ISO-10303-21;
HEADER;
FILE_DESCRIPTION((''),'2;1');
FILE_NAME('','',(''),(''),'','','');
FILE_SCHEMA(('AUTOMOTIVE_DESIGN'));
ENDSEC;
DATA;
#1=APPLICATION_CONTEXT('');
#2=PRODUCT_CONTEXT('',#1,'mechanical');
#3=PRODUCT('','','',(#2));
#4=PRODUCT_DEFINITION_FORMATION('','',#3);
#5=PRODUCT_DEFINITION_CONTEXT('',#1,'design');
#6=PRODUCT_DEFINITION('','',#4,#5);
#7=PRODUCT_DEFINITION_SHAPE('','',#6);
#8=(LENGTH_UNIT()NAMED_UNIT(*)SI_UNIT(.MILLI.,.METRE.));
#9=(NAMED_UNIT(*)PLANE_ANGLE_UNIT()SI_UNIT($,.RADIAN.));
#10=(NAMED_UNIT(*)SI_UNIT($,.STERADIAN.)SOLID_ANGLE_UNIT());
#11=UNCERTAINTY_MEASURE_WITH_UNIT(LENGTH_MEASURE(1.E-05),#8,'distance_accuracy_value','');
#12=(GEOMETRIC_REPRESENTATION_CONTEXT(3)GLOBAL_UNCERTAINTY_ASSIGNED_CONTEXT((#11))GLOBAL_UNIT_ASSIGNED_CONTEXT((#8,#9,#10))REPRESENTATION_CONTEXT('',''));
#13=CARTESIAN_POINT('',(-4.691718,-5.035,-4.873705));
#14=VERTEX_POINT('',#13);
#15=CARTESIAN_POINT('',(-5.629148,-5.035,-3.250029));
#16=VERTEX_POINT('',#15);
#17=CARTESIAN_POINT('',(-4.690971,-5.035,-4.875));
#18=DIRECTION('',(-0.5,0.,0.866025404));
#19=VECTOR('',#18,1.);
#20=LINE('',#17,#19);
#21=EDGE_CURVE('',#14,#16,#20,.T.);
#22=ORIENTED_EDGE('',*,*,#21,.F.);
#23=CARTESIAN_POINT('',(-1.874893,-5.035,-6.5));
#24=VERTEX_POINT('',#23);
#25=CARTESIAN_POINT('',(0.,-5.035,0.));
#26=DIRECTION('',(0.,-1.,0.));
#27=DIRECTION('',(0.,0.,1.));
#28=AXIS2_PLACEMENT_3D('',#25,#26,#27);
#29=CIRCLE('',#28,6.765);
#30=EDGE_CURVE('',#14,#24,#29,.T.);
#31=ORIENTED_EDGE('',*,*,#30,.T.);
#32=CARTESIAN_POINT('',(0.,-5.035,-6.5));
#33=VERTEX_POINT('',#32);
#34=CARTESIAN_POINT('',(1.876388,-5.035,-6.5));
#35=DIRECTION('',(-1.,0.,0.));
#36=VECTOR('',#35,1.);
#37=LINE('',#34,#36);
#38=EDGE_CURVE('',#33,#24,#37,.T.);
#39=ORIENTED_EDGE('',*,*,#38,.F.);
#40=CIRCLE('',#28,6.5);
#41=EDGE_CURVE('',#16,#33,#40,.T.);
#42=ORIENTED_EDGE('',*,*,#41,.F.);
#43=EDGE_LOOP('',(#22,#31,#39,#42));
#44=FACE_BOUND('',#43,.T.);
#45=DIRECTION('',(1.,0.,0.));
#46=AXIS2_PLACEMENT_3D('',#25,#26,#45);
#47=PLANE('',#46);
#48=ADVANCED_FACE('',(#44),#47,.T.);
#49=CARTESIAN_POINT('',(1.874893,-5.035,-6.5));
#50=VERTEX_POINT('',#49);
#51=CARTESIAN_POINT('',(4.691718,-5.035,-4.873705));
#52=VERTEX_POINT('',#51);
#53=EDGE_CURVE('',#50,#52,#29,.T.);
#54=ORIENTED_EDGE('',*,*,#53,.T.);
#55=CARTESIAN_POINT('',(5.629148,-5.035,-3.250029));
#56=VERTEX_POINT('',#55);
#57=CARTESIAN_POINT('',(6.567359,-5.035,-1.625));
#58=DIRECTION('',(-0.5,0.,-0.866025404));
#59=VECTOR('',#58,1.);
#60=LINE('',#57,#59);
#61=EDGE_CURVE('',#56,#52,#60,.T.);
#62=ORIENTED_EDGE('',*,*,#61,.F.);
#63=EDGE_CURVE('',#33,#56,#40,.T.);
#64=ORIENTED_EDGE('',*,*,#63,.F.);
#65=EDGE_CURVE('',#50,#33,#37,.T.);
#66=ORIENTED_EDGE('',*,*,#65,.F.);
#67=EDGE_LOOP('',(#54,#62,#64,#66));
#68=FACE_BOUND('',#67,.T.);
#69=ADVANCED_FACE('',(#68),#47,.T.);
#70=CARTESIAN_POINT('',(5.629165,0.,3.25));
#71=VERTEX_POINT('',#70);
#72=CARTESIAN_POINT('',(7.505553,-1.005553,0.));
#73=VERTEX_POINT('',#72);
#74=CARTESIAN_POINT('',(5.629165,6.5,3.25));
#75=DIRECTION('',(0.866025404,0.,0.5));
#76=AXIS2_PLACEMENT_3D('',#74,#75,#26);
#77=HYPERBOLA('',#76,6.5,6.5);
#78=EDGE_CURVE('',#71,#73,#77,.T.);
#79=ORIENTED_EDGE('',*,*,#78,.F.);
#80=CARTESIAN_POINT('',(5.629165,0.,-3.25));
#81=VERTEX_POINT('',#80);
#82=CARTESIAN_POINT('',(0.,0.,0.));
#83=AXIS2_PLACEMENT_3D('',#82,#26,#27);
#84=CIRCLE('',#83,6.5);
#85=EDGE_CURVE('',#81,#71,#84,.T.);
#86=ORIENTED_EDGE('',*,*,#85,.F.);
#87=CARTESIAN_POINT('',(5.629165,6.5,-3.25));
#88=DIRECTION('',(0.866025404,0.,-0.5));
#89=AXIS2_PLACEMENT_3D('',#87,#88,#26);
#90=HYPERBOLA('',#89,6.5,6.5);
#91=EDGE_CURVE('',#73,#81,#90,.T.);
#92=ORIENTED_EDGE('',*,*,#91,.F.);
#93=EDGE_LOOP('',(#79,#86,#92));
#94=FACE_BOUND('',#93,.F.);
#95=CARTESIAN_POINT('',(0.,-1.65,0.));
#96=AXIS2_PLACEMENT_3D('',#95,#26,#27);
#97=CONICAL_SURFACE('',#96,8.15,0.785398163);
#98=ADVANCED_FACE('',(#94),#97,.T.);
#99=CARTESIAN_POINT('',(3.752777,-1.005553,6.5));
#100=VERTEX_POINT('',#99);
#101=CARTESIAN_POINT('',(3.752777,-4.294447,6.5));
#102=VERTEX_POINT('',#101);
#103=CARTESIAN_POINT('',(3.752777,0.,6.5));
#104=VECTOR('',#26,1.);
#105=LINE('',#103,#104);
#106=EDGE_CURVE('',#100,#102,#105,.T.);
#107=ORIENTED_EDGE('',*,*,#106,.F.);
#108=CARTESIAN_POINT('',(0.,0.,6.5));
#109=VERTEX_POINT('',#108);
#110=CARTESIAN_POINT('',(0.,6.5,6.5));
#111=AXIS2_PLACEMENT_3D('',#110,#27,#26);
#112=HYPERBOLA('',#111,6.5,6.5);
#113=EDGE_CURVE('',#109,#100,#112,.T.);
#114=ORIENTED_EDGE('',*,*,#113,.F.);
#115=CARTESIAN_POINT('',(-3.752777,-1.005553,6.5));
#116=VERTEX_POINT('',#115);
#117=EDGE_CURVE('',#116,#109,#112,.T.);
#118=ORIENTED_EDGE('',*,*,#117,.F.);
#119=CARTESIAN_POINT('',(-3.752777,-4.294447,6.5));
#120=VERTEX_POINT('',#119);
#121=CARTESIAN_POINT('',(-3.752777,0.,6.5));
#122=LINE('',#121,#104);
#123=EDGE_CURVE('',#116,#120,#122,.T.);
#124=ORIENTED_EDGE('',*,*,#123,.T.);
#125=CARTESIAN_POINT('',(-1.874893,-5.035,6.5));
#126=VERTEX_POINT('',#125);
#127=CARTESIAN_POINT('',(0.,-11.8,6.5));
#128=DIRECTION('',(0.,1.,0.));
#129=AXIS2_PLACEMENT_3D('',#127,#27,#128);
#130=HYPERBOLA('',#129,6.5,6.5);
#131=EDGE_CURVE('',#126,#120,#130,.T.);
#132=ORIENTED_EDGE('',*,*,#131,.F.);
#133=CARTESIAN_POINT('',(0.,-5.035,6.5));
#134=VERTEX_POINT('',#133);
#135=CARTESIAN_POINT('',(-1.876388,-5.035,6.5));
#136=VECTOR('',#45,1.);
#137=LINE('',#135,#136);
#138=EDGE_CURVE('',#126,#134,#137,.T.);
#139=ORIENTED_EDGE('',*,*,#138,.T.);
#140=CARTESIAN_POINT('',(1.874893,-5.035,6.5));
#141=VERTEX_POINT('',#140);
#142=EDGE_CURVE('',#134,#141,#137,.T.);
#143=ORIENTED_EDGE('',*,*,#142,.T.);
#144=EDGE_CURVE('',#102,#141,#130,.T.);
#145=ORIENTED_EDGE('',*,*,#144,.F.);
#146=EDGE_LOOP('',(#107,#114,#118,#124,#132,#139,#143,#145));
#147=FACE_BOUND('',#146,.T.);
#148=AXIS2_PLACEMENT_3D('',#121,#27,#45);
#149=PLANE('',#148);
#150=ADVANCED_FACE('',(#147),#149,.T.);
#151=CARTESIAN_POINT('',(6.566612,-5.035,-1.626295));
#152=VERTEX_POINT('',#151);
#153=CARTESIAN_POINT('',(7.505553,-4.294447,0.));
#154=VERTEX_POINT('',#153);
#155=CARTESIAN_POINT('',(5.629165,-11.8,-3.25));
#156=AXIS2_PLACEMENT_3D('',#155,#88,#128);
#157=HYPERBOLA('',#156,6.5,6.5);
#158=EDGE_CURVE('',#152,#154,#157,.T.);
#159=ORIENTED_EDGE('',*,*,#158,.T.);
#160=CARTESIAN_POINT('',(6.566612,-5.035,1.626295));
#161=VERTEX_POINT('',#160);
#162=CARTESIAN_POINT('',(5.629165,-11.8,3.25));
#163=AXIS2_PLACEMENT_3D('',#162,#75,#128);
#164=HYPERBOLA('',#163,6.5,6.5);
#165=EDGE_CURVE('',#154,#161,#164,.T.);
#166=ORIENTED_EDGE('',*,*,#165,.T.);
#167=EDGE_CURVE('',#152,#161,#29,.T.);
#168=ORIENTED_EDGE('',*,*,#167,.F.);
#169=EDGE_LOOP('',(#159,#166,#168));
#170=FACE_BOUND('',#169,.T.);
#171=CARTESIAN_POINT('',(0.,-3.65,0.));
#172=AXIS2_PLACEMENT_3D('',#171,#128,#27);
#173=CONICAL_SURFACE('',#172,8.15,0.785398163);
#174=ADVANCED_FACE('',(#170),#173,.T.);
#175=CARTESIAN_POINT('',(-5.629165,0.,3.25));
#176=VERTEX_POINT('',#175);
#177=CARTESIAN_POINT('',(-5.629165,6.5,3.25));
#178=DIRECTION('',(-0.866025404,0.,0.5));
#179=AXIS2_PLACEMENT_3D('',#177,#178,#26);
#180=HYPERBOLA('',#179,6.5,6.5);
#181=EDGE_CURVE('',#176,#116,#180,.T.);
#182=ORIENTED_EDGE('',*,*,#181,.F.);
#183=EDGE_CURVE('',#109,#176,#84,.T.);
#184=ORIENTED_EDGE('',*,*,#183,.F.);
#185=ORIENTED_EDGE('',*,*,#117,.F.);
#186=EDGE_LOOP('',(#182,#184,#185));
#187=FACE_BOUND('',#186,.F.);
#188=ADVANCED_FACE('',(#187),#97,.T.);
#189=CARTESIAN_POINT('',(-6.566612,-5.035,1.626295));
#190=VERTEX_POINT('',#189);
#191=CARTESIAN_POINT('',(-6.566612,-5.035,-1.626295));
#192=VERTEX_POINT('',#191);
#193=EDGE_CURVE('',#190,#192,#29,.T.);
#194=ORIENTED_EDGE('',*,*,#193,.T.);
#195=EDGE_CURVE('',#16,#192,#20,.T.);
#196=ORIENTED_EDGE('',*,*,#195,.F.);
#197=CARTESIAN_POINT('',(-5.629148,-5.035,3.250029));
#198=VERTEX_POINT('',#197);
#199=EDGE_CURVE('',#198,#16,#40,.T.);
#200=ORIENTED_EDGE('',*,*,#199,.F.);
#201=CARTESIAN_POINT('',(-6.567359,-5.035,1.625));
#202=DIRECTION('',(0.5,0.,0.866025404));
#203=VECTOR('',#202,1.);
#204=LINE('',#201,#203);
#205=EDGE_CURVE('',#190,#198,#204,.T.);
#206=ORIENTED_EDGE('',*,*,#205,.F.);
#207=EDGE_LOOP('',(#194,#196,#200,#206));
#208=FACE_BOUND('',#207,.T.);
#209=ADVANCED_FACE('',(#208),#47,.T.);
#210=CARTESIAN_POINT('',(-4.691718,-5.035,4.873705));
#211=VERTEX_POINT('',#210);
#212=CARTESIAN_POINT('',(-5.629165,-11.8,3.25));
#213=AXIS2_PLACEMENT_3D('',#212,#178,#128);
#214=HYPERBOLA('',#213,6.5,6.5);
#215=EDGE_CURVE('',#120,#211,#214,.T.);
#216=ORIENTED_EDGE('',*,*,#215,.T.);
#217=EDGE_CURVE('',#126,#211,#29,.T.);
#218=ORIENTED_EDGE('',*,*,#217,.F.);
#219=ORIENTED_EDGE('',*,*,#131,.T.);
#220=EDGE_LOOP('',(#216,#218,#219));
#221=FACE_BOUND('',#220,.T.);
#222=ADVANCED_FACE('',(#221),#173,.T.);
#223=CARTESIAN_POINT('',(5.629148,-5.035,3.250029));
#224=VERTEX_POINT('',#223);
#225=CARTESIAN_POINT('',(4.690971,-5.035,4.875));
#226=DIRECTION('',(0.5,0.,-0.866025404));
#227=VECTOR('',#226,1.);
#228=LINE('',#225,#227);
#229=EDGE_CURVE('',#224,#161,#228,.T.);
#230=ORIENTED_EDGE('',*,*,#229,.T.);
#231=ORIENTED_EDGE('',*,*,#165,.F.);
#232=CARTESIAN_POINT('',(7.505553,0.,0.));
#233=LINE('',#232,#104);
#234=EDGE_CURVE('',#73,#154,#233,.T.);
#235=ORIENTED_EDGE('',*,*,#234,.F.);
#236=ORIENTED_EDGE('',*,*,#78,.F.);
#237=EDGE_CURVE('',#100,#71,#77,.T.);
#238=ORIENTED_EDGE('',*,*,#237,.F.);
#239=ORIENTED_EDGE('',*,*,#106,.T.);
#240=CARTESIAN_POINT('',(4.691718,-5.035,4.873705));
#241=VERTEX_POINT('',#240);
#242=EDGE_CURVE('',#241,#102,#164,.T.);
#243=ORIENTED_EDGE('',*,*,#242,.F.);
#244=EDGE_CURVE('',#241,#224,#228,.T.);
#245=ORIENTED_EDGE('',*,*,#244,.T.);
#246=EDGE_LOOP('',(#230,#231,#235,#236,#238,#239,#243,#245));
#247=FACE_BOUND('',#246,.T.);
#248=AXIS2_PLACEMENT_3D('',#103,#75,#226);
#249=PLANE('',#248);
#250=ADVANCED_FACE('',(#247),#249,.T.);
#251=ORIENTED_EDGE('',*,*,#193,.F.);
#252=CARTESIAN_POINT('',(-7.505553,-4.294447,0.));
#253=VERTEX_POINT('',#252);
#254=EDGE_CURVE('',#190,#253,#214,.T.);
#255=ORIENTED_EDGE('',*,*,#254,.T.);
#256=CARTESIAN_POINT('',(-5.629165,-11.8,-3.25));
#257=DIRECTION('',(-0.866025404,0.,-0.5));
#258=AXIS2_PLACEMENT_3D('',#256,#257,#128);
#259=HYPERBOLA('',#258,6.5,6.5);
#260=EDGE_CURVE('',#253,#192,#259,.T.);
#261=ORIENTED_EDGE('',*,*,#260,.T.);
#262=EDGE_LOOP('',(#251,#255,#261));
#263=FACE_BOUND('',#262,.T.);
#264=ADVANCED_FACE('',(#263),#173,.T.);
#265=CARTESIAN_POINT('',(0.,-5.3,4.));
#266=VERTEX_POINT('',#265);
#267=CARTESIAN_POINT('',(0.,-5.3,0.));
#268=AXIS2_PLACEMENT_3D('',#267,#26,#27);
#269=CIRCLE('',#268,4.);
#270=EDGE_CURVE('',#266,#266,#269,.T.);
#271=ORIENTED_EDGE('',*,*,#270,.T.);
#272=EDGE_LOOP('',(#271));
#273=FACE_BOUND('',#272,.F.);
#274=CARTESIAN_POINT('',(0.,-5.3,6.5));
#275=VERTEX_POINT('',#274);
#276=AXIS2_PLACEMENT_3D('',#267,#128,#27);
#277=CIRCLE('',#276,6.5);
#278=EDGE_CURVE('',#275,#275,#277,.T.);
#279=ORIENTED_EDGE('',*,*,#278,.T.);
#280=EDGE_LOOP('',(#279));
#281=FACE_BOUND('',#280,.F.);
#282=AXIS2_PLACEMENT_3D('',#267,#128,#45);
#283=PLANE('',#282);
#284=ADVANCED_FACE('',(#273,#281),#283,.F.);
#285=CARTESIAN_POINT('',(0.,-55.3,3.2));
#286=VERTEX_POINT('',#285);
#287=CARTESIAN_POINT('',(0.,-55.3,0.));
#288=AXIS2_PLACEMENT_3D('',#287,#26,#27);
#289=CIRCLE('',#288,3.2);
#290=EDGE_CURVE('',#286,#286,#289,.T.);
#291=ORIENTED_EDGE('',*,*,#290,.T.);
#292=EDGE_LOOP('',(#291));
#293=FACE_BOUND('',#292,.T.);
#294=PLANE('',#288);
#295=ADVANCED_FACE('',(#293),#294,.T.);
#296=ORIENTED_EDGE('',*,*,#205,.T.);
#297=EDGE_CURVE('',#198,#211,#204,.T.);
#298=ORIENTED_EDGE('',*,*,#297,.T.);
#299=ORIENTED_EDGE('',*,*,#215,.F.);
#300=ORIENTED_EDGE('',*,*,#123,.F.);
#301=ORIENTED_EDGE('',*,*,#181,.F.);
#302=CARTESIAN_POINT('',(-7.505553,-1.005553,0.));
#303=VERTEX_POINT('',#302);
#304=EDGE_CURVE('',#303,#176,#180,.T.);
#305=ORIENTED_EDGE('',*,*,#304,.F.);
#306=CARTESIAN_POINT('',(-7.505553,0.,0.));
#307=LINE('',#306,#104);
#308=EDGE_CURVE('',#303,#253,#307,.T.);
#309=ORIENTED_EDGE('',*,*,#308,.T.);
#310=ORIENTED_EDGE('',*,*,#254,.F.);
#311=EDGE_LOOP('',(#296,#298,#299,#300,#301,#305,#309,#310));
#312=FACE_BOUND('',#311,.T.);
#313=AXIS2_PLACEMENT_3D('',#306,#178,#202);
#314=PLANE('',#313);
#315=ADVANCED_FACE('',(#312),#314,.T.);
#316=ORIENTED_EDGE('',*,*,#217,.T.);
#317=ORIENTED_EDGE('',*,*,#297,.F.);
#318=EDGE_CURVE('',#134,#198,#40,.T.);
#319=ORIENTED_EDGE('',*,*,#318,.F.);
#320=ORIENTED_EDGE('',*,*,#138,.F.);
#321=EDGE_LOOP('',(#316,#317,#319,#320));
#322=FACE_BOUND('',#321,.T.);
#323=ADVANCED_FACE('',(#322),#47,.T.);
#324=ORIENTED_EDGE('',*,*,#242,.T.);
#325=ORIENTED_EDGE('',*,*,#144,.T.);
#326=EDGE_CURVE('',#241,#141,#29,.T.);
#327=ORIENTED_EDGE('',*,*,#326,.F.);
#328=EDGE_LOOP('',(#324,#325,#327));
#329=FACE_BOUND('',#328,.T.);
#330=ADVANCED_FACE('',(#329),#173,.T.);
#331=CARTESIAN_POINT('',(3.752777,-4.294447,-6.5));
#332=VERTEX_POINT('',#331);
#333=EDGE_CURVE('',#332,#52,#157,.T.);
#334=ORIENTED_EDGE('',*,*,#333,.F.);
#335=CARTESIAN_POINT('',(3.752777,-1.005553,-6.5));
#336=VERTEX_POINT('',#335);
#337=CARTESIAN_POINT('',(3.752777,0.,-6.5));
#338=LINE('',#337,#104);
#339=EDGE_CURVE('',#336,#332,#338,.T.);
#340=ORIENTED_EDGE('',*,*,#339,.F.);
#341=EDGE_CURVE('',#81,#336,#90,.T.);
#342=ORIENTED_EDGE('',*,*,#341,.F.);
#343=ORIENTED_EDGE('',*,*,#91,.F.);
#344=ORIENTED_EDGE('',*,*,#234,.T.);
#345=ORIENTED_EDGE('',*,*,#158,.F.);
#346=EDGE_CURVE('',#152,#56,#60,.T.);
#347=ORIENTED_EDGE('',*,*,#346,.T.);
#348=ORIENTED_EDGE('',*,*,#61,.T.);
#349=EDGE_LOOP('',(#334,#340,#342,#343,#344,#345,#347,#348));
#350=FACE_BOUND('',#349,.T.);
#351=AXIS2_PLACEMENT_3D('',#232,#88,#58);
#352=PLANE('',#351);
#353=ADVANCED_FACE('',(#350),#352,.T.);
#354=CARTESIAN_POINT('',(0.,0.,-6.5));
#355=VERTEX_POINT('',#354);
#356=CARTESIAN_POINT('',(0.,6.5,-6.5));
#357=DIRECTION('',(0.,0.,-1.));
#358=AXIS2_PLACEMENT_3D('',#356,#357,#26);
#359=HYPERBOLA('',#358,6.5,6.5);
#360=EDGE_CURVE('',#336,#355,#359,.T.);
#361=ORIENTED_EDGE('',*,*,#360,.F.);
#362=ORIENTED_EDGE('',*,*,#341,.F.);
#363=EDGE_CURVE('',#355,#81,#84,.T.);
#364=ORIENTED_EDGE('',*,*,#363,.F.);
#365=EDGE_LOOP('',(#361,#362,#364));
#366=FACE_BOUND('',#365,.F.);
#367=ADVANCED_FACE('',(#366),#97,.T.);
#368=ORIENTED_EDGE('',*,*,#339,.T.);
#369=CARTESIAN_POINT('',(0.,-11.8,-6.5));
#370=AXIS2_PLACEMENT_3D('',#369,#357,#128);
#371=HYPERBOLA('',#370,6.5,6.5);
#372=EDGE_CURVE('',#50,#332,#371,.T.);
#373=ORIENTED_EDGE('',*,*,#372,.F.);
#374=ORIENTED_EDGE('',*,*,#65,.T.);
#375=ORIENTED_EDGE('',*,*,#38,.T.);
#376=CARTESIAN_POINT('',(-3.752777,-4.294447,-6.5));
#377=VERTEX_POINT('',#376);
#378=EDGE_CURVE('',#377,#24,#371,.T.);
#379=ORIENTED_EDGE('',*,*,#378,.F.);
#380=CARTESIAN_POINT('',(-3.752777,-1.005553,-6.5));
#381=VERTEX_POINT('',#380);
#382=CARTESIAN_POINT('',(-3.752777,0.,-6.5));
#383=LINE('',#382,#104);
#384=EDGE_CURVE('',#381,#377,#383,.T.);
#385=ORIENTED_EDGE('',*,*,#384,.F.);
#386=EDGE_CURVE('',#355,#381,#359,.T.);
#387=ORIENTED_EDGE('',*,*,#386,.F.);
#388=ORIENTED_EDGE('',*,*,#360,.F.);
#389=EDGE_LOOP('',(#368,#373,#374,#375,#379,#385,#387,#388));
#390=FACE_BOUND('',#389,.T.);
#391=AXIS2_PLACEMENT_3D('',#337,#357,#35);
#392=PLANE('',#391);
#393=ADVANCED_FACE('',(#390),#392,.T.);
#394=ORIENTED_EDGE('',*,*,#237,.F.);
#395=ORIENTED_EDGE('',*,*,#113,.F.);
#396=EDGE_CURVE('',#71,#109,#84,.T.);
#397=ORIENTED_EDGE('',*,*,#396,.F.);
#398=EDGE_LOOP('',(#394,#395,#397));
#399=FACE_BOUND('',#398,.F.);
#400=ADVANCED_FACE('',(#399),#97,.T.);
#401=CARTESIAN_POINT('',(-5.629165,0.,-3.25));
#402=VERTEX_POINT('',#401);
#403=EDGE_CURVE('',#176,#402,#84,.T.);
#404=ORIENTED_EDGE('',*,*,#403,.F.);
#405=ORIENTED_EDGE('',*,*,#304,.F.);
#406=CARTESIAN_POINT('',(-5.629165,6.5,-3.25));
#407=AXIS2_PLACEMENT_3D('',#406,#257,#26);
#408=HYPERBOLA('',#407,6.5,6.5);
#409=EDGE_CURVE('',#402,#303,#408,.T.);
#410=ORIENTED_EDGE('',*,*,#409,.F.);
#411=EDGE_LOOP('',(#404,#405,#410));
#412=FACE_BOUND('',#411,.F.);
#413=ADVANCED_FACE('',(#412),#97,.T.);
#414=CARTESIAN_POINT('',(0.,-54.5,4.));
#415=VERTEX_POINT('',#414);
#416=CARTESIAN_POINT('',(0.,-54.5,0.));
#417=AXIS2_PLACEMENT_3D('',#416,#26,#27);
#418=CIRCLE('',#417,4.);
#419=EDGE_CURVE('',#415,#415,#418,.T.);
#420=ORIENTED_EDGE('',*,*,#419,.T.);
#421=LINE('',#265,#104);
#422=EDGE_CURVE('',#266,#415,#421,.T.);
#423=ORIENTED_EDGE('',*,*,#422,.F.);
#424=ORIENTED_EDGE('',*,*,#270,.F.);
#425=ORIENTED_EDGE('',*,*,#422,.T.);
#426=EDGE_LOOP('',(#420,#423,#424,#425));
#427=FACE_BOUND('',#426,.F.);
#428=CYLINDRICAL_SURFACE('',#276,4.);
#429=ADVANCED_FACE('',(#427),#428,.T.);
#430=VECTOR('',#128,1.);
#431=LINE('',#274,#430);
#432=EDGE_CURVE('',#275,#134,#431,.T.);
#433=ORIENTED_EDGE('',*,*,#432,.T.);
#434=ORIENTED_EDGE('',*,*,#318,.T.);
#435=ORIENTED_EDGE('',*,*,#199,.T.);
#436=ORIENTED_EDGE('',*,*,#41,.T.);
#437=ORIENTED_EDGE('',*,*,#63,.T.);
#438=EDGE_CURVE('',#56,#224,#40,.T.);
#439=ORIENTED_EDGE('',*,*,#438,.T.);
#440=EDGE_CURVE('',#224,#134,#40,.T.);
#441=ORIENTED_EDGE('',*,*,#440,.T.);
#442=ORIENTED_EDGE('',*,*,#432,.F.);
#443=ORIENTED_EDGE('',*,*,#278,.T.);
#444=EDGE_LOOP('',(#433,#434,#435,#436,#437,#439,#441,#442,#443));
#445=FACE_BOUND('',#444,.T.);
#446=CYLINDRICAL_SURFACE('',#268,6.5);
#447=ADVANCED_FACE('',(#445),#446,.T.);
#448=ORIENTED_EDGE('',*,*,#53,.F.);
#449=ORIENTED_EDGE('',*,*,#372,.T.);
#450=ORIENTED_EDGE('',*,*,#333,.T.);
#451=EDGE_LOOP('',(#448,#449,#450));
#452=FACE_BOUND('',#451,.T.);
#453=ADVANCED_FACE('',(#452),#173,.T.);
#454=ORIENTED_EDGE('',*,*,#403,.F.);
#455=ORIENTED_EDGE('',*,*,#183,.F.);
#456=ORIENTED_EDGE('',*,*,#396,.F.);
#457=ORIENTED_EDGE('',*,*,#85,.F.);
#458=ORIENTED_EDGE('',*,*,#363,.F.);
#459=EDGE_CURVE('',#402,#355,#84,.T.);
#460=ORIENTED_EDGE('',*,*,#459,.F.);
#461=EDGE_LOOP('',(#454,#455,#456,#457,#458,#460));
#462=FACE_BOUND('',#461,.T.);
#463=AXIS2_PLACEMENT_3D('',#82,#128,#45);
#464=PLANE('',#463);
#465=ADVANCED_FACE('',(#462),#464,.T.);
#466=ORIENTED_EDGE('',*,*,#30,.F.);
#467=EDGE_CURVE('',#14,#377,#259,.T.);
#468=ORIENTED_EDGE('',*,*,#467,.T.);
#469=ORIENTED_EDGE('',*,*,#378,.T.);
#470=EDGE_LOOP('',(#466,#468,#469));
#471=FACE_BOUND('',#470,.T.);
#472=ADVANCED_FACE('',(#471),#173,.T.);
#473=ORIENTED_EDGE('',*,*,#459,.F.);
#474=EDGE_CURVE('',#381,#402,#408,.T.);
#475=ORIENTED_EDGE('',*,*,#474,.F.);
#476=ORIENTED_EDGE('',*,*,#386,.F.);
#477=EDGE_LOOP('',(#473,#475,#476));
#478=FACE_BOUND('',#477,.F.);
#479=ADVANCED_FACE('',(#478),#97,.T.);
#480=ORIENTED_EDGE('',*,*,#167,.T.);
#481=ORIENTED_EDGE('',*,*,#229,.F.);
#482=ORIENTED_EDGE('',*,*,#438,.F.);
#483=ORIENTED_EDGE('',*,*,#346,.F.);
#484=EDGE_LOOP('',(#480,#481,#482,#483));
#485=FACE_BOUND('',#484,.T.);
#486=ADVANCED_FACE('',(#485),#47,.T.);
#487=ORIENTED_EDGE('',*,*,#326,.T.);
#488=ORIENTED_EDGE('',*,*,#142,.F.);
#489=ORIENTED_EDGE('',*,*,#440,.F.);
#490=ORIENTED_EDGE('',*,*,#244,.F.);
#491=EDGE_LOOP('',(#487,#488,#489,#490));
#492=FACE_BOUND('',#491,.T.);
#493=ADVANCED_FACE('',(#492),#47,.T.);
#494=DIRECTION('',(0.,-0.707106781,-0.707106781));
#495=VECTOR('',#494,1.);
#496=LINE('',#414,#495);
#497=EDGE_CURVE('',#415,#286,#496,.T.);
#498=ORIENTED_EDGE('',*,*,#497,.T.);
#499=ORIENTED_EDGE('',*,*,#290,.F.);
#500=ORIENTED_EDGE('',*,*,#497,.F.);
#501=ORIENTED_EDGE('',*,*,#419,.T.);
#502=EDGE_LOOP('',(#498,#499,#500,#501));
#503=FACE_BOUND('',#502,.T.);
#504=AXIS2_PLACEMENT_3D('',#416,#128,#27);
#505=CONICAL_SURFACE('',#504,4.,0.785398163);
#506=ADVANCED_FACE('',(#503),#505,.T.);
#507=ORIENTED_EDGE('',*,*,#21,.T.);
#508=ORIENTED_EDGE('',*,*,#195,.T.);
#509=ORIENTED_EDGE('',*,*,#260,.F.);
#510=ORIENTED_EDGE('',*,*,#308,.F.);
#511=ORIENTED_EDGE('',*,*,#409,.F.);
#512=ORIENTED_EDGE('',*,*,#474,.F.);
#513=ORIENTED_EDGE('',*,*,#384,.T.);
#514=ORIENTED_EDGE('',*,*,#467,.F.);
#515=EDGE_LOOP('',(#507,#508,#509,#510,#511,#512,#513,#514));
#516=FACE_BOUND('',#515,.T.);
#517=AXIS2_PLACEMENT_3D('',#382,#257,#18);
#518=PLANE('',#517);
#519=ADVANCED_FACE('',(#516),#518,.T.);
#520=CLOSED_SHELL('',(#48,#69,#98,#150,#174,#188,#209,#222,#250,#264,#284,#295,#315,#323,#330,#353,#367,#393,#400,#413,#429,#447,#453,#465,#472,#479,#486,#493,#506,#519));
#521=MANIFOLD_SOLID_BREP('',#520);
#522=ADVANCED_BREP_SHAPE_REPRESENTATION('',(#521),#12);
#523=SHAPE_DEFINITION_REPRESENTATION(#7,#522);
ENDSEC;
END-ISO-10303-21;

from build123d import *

# Parameters (mm, degrees)
BOSS_EXTRUDE1_DEPTH = 5.3
SKETCH2_OUTSIDE_W   = 21.122
SKETCH2_OUTSIDE_H   = 19.11
SKETCH2_OUTSIDE_R   = 6.5
CUT_EXTRUDE1_DEPTH  = 0.265
SKETCH3_R           = 4
BOSS_EXTRUDE2_DEPTH = 50
CHAMFER1_SIZE       = 0.8


with BuildPart() as part:
    # Sketch1 → Boss-Extrude1 (new body)
    with BuildSketch(Plane(origin=(0, 0, 0), x_dir=(1, 0, 0), z_dir=(0, 1, 0))):
        Polygon((7.505553499, 0), (3.75277675, 6.5), (-3.75277675, 6.5), (-7.505553499, 0), (-3.75277675, -6.5), (3.75277675, -6.5), align=None)
    extrude(amount=-BOSS_EXTRUDE1_DEPTH)

    # Sketch4 → Cut-Revolve1 (revolve, cut)
    with BuildSketch(Plane(origin=(0, 0, 0), x_dir=(0, 0, -1), z_dir=(1, 0, 0))):
        Polygon((-6.5, 0), (-8.15, 0), (-8.15, -1.65), align=None)
        Polygon((-8.15, -3.65), (-6.5, -5.3), (-8.15, -5.3), align=None)
    revolve(axis=Axis((0, 0, 0), (0, -1, 0)), mode=Mode.SUBTRACT)

    # Sketch2 outside → Cut-Extrude1 (cut)
    with BuildSketch(Plane.XZ.offset(5.3)):
        Rectangle(SKETCH2_OUTSIDE_W, SKETCH2_OUTSIDE_H)
        with Locations(Location((0, 0, 0), (0, 0, 90))):
            Circle(SKETCH2_OUTSIDE_R, mode=Mode.SUBTRACT)
    extrude(amount=-CUT_EXTRUDE1_DEPTH, mode=Mode.SUBTRACT)

    # Sketch3 → Boss-Extrude2 (add)
    with BuildSketch(Plane.XZ.offset(5.3)):
        with Locations(Location((0, 0, 0), (0, 0, 90))):
            Circle(SKETCH3_R)
    extrude(amount=BOSS_EXTRUDE2_DEPTH)

    # Chamfer1
    chamfer1_edges = [part.edges().sort_by_distance(p)[0] for p in [
        (0, -55.3, -4),
    ]]
    chamfer(chamfer1_edges, length=CHAMFER1_SIZE)


solid = part.part
